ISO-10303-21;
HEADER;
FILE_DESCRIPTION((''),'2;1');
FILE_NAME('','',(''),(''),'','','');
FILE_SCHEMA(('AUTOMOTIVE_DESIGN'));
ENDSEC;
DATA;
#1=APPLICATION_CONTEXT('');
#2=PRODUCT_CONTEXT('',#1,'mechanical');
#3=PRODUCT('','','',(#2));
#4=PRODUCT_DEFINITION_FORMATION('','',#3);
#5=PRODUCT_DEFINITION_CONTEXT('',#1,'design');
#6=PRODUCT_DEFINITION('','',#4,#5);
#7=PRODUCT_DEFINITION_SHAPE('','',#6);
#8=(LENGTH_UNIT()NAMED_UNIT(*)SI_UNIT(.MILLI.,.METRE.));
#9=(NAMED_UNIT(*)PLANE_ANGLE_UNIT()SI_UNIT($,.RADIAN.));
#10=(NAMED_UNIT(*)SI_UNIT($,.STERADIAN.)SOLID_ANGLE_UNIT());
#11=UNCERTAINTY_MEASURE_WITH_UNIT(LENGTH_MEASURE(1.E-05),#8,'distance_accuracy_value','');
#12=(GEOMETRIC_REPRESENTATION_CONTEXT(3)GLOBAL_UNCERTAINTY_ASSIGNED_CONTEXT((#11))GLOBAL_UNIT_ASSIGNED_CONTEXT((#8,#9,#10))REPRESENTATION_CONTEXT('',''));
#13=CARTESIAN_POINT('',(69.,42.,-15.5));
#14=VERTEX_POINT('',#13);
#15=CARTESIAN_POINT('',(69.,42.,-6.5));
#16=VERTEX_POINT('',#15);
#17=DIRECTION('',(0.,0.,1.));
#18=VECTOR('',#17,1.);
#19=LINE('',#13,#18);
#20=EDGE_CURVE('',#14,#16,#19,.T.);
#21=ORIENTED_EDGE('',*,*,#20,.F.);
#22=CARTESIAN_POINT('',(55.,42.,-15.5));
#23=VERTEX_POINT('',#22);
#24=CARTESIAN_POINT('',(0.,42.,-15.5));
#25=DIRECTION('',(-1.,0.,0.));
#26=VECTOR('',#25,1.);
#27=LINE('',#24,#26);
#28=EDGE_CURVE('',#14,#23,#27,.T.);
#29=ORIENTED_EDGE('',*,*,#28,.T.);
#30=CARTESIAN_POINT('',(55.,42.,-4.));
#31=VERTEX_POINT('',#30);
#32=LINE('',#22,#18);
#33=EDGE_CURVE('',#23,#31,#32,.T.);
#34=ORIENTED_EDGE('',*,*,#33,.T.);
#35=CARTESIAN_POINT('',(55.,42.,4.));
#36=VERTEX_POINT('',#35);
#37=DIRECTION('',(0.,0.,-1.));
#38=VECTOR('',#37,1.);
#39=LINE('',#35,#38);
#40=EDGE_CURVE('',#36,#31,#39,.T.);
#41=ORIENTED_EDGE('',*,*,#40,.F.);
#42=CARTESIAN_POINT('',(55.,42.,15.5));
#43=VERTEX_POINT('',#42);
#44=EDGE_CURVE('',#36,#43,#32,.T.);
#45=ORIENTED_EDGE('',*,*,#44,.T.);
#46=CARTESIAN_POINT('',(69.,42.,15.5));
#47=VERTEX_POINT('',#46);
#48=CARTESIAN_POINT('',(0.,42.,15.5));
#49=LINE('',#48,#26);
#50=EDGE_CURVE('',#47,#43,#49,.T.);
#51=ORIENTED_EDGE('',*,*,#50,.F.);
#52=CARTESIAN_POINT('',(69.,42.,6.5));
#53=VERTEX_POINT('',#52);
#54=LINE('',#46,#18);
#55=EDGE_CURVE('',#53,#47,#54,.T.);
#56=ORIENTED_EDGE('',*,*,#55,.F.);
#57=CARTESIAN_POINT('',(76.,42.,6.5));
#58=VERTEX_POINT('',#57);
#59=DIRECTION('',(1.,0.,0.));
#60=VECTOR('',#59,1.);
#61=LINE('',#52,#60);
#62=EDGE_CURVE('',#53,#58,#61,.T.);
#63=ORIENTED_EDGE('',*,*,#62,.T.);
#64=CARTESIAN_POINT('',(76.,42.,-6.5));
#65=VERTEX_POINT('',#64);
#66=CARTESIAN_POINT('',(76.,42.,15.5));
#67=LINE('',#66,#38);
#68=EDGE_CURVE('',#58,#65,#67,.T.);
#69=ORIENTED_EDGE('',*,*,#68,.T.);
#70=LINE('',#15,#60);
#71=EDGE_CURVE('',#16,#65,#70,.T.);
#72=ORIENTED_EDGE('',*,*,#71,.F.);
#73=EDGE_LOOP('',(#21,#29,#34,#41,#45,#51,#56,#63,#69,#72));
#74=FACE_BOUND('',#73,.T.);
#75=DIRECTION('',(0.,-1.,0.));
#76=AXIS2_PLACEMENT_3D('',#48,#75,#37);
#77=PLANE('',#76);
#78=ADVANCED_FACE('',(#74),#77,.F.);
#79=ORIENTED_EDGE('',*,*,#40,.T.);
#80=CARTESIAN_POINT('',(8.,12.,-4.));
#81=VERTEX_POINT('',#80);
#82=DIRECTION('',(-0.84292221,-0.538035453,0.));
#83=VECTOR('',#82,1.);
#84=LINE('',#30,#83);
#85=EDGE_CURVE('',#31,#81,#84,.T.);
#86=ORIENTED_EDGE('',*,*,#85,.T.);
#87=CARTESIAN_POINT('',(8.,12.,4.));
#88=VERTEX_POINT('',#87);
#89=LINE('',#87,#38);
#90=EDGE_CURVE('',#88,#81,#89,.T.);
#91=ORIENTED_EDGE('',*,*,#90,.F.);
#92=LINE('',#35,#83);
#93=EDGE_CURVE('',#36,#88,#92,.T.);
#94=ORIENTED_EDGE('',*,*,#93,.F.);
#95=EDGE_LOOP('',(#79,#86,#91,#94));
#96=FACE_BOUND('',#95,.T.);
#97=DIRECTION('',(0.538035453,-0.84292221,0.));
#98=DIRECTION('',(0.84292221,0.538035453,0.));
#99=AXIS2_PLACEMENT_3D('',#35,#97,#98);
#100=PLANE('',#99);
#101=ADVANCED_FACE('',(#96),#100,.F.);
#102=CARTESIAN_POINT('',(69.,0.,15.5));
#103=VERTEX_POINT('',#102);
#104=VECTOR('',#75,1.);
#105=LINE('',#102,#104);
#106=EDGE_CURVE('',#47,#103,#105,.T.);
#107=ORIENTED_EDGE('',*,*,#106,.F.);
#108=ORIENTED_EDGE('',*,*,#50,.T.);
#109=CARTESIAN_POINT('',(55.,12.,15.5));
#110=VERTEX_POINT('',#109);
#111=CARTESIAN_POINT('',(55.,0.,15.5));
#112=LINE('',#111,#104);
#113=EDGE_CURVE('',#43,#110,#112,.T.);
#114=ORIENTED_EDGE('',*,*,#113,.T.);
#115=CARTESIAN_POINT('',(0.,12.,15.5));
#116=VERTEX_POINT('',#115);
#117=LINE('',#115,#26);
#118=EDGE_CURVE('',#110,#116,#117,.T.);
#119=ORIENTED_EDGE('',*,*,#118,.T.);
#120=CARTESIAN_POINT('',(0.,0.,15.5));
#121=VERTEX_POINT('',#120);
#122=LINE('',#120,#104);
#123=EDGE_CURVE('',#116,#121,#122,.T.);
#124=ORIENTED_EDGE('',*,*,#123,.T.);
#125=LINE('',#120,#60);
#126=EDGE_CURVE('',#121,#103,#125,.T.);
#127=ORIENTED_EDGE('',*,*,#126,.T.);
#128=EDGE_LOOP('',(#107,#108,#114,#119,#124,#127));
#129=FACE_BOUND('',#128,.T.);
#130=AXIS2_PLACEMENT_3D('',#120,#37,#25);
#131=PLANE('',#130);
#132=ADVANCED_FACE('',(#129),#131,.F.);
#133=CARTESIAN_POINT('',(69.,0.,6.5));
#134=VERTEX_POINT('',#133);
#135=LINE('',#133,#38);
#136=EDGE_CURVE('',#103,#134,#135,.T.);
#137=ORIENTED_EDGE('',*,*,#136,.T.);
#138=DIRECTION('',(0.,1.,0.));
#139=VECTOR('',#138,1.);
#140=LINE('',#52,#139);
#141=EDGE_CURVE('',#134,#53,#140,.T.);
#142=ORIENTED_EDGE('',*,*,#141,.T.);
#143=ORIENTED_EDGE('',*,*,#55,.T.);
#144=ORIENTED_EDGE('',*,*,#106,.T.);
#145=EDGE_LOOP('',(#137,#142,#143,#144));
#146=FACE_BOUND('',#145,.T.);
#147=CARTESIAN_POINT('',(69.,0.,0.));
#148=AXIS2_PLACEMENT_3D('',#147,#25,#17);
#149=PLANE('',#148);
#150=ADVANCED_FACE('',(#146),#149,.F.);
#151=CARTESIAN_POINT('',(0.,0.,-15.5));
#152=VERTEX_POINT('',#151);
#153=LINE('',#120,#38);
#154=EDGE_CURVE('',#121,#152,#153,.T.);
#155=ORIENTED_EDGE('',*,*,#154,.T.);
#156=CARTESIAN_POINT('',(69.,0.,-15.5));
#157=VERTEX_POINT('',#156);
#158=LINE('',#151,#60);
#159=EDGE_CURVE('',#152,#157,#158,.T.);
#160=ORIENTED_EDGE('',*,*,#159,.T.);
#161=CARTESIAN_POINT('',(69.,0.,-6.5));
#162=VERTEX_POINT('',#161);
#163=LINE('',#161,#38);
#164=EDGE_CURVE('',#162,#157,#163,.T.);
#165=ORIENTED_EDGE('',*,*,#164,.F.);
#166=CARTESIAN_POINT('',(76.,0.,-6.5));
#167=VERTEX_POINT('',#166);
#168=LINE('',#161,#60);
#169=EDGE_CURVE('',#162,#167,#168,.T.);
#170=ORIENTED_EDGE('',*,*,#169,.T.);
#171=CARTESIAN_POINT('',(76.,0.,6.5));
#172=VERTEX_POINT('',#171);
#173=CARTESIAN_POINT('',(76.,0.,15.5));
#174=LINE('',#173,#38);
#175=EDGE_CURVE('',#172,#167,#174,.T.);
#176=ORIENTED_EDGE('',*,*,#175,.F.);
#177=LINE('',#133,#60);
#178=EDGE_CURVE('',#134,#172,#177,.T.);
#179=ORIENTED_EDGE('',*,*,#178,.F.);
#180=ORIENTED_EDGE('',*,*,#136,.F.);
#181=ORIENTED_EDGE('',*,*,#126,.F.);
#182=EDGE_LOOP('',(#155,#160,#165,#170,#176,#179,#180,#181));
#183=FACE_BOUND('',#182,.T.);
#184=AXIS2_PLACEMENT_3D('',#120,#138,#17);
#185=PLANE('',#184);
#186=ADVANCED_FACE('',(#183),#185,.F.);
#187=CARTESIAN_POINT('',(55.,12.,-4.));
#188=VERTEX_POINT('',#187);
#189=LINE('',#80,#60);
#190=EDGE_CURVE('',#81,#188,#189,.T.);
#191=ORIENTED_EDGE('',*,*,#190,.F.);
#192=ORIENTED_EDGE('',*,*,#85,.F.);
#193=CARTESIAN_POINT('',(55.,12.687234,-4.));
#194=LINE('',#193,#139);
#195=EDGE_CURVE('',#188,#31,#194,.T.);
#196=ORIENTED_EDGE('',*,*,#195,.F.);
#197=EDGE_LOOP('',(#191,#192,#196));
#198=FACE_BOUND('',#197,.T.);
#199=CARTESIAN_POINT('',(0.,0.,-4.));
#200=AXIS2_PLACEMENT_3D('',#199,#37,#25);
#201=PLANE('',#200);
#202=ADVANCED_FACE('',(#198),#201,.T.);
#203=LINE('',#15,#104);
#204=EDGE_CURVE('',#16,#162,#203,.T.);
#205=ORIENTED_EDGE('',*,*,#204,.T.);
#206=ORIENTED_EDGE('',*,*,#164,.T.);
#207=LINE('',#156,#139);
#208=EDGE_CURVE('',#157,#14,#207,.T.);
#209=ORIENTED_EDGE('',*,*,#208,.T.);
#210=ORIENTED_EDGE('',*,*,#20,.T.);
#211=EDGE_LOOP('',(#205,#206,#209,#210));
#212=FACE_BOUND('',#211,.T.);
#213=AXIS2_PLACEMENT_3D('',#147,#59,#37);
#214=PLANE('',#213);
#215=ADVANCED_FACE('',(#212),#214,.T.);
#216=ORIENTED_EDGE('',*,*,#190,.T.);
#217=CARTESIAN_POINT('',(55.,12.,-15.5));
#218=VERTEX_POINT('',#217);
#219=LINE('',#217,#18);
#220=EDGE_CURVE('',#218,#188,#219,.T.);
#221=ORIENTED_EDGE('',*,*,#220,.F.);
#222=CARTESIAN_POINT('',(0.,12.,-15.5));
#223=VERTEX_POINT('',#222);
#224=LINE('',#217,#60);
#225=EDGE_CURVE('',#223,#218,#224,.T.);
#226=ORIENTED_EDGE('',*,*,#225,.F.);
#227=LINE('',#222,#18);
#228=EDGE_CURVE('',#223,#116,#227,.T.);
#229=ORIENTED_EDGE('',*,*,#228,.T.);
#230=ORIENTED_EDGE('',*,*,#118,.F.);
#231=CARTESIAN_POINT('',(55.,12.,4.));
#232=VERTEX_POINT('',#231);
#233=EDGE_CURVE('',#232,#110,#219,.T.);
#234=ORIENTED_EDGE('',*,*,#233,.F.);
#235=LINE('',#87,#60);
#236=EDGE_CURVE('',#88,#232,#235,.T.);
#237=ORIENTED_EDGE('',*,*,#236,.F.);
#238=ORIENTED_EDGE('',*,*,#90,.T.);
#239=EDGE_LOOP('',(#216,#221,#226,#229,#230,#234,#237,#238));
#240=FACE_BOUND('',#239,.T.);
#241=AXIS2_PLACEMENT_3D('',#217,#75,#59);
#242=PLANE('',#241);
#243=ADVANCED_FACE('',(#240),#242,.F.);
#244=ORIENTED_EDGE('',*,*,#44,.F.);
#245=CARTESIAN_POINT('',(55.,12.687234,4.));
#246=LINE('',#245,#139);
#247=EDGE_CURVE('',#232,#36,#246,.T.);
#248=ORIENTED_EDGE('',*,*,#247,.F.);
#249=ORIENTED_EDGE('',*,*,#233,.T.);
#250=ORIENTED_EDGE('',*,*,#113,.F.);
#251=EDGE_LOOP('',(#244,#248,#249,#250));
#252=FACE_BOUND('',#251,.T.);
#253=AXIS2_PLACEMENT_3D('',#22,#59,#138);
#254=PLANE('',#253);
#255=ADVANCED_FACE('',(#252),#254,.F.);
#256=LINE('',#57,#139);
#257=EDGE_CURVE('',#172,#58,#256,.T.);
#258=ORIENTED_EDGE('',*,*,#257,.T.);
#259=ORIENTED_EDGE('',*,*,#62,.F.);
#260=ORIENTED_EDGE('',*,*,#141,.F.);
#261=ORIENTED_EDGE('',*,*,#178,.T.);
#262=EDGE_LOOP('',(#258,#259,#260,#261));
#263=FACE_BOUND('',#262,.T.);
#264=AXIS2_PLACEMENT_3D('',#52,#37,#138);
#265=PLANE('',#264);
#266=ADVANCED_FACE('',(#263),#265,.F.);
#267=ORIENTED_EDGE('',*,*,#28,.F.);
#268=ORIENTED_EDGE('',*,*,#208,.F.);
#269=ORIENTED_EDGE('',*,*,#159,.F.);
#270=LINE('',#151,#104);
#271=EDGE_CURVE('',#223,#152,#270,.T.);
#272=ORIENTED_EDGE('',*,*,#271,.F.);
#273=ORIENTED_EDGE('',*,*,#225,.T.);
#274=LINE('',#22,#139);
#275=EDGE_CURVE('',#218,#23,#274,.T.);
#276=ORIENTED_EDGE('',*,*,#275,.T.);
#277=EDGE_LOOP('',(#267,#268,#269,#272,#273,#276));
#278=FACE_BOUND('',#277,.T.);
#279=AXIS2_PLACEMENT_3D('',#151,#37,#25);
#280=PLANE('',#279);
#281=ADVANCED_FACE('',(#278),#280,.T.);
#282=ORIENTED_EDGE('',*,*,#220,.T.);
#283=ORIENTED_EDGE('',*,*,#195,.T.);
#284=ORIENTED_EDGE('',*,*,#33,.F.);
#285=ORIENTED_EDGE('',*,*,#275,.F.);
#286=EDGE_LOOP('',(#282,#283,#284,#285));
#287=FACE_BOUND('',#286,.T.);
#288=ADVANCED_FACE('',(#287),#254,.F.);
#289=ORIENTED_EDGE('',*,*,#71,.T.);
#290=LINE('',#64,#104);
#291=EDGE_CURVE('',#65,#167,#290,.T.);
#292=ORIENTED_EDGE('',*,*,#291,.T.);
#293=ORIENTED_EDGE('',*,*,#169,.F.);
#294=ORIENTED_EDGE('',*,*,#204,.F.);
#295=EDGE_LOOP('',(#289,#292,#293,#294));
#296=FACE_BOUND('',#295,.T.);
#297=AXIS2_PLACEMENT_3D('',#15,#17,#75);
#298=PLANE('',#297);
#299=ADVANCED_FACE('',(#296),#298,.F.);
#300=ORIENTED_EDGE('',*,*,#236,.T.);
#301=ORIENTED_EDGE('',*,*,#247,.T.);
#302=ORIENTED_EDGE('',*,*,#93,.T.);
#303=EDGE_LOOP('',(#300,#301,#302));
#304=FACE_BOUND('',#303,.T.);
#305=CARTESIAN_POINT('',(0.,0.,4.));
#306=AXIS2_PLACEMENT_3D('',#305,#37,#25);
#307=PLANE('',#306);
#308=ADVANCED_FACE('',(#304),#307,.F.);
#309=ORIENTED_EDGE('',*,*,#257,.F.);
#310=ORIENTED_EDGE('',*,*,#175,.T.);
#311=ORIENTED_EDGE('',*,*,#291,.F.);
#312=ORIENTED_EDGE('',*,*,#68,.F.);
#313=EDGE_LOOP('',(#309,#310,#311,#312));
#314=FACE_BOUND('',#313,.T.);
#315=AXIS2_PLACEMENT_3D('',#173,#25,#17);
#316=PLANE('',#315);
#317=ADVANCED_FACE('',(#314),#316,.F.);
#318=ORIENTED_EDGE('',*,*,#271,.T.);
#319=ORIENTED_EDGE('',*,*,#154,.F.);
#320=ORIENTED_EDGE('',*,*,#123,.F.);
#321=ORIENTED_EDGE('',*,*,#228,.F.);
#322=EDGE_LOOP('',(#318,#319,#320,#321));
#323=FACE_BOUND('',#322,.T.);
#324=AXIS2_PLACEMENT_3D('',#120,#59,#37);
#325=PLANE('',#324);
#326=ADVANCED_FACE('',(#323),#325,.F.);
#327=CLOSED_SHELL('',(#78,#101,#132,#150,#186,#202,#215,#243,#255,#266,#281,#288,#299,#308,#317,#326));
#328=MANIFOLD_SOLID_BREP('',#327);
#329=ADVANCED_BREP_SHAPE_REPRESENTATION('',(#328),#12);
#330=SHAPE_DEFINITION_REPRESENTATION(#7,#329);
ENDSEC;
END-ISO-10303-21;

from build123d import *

# Parameters (mm, degrees)
SKETCH1_W               = 76
SKETCH1_H               = 42
BOSS_EXTRUDE1_DEPTH     = 15.5
SKETCH2_W               = 9
SKETCH2_H               = 42
CUT_EXTRUDE1_DEPTH      = 7
CUT_EXTRUDE2_DEPTH      = 93.200867675
CUT_EXTRUDE2_DEPTH_BACK = 93.200867675
SKETCH3_W               = 55
SKETCH3_H               = 30
BOSS_EXTRUDE2_DEPTH     = 4


with BuildPart() as part:
    # Sketch1 → Boss-Extrude1 (new, symmetric)
    with BuildSketch(Plane.XY):
        with Locations((38, 21)):
            Rectangle(SKETCH1_W, SKETCH1_H)
    extrude(amount=BOSS_EXTRUDE1_DEPTH, both=True)

    # Sketch2 → Cut-Extrude1 (cut)
    with BuildSketch(Plane(origin=(76, 0, 0), x_dir=(0, 0, -1), z_dir=(1, 0, 0))):
        with Locations((-11, 21)):
            Rectangle(SKETCH2_W, SKETCH2_H)
        with Locations((11, 21)):
            Rectangle(SKETCH2_W, SKETCH2_H)
    extrude(amount=-CUT_EXTRUDE1_DEPTH, mode=Mode.SUBTRACT)

    # Sketch3 → Cut-Extrude2 (cut, two sides: drawn at the far end of the back side and taken through both)
    with BuildSketch(Plane.XY.offset(15.5).offset(-CUT_EXTRUDE2_DEPTH_BACK)):
        with Locations((27.5, 27)):
            Rectangle(SKETCH3_W, SKETCH3_H)
    extrude(amount=CUT_EXTRUDE2_DEPTH + CUT_EXTRUDE2_DEPTH_BACK, mode=Mode.SUBTRACT)

    # Sketch5 → Boss-Extrude2 (add, symmetric)
    with BuildSketch(Plane.XY):
        Polygon((55, 42), (8, 12), (55, 12), (55, 12.687234068), align=None)
    extrude(amount=BOSS_EXTRUDE2_DEPTH, both=True)


solid = part.part
